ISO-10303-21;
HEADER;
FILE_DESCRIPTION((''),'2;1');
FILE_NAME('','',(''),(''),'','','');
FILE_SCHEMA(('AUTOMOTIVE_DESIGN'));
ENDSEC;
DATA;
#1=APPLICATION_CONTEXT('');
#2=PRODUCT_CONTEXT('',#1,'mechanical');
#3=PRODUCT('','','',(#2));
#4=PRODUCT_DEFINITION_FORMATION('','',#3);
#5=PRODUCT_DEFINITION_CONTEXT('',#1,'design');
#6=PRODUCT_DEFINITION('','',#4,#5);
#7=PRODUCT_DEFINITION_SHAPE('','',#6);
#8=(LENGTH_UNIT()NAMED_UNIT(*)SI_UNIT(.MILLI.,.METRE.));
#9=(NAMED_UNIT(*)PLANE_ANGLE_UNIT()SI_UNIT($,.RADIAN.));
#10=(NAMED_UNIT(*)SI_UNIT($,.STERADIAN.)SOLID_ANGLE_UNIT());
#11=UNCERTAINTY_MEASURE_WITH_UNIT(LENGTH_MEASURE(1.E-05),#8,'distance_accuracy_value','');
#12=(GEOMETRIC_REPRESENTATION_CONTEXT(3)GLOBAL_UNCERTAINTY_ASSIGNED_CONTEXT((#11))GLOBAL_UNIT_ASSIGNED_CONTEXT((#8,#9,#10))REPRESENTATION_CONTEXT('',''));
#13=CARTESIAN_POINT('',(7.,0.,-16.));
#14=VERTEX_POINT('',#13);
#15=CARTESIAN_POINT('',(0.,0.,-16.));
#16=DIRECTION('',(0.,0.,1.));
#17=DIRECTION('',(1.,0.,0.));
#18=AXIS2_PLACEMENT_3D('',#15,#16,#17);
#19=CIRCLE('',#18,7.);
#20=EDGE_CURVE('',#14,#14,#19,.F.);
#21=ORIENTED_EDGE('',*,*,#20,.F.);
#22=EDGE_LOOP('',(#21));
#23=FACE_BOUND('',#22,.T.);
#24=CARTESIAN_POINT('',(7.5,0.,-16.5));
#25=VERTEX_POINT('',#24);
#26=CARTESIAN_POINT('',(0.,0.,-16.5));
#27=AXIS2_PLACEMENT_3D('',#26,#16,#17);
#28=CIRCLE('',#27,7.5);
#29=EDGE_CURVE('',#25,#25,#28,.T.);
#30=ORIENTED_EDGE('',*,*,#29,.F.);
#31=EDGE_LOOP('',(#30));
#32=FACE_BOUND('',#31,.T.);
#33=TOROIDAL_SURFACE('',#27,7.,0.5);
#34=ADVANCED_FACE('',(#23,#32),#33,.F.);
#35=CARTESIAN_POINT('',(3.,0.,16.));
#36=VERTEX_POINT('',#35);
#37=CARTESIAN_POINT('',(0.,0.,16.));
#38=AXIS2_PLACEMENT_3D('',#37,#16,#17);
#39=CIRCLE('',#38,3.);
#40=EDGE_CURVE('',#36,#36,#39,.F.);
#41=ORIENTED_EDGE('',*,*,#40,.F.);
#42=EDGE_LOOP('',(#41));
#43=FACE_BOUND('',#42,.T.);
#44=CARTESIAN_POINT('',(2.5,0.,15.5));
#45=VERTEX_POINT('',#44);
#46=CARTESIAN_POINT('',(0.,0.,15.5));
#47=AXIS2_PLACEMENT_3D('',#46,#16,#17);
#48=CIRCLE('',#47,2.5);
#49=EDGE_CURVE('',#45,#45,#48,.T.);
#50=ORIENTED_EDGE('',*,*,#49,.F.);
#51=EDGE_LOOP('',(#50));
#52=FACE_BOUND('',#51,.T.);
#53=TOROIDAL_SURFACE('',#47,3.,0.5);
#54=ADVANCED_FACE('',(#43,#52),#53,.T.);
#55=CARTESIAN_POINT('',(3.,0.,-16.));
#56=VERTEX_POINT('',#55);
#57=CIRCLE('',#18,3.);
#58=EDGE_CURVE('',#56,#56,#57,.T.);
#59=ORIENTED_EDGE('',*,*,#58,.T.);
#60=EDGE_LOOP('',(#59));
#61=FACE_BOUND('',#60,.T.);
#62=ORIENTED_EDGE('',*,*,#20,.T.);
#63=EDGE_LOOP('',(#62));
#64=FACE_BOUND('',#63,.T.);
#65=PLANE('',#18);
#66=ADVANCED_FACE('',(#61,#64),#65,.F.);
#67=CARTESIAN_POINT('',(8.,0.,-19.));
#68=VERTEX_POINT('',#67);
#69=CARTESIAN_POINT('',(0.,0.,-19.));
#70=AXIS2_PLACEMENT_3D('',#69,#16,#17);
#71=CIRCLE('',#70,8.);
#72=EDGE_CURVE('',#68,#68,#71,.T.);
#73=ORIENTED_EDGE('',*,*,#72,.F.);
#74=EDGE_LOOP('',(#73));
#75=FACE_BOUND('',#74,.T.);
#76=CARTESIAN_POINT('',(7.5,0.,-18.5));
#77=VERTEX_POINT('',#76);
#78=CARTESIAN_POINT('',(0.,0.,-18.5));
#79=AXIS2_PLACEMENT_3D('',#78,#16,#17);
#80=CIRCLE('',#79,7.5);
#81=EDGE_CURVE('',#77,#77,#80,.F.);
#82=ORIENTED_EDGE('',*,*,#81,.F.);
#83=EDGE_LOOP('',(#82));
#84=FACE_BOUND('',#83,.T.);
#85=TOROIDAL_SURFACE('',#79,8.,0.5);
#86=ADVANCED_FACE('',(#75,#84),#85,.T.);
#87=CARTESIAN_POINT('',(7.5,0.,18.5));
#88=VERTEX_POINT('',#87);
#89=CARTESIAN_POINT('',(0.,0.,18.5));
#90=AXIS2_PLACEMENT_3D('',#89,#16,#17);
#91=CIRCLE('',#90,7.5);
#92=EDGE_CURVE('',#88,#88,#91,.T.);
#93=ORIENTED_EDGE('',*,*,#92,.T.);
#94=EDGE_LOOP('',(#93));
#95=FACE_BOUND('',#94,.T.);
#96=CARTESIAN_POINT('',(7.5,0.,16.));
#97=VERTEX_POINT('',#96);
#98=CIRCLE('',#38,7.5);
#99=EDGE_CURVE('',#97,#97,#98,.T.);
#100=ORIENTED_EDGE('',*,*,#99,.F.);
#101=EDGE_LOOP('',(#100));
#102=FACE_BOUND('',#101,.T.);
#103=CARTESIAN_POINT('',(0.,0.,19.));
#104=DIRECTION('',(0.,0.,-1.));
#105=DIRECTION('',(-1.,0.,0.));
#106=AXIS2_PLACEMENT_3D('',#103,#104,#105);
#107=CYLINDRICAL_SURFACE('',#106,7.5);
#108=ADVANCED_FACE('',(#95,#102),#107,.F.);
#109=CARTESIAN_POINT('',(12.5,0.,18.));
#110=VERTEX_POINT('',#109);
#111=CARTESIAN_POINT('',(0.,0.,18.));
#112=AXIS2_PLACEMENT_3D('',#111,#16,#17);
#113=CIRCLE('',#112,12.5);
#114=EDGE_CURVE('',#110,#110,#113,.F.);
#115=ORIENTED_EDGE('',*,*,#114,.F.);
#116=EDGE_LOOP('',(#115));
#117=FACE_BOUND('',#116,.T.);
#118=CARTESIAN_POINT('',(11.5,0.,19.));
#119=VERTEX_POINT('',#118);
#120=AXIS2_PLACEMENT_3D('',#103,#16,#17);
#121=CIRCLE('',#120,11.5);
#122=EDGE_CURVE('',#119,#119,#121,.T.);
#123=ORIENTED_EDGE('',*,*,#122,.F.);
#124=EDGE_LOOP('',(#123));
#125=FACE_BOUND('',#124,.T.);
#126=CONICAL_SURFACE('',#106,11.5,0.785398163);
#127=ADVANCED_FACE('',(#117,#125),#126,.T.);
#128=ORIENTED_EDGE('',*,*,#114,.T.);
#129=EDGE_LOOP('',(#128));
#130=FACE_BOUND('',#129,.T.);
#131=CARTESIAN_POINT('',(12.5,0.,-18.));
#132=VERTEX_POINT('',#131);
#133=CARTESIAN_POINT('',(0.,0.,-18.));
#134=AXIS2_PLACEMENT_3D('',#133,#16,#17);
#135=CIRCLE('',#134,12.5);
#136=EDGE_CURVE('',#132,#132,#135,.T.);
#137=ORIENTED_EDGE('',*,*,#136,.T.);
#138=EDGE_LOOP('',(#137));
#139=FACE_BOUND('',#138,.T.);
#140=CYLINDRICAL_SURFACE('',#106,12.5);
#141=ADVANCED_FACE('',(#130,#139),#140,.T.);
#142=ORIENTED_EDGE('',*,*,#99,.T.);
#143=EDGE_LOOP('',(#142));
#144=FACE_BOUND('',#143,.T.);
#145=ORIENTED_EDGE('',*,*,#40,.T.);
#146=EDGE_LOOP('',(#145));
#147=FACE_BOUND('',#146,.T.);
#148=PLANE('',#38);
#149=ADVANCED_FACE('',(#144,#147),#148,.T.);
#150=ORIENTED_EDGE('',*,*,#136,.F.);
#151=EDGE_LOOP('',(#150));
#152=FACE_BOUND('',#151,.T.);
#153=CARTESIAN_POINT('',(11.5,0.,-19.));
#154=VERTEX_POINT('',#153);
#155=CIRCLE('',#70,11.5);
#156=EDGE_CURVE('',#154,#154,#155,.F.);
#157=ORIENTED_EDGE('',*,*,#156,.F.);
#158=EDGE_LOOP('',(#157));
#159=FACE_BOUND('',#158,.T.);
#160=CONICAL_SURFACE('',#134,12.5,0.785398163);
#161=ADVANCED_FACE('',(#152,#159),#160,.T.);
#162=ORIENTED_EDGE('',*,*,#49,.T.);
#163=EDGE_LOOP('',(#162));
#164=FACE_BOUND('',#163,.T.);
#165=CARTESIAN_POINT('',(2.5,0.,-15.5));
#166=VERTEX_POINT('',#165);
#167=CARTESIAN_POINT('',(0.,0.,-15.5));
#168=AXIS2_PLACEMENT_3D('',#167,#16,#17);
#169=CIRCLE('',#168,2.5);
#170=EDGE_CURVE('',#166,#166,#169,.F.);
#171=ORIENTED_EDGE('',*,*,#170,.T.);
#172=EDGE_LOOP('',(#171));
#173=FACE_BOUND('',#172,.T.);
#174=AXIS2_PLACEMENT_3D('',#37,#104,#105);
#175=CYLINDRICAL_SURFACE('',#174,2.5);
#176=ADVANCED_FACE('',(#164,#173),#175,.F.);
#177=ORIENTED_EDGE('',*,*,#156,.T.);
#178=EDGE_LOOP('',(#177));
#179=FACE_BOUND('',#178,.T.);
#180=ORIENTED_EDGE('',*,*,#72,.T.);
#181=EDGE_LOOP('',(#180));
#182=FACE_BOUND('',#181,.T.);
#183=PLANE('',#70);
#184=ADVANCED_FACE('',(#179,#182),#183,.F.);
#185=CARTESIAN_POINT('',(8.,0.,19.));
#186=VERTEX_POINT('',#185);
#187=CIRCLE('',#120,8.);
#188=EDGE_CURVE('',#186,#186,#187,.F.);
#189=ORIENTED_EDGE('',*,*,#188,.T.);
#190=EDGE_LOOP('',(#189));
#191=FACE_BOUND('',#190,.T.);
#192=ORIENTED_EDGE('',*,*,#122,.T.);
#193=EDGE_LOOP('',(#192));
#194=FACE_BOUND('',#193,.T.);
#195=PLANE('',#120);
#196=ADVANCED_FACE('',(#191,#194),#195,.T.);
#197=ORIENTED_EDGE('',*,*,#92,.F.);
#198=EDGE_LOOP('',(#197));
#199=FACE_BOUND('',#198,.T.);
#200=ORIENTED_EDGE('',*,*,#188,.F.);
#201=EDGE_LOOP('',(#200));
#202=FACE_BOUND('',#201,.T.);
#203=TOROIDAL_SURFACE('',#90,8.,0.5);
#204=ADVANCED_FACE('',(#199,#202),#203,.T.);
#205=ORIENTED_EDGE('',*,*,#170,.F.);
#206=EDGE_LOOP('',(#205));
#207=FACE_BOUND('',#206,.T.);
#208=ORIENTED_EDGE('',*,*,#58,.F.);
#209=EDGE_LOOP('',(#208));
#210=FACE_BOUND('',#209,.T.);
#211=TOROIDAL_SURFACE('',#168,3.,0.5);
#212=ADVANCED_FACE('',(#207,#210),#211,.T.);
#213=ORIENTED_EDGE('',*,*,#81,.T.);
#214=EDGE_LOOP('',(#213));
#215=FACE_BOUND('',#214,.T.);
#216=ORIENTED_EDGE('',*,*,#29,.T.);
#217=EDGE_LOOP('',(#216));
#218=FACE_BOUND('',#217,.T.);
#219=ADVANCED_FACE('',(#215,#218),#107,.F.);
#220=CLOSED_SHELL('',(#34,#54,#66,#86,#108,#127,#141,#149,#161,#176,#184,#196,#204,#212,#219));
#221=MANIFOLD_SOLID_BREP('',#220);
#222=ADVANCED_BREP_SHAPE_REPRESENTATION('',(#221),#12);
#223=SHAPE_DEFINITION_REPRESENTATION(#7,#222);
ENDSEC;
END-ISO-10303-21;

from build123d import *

# Parameters (mm, degrees)
SKETCH1_R           = 12.5
SKETCH1_R_2         = 7.5
BOSS_EXTRUDE2_DEPTH = 19
SKETCH1_4_R         = 7.5
SKETCH1_4_R_2       = 2.5
BOSS_EXTRUDE3_DEPTH = 16
CHAMFER1_SIZE       = 1
FILLET1_R           = 0.5
FILLET2_R           = 0.5


with BuildPart() as part:
    # Sketch1 → Boss-Extrude2 (new, symmetric)
    with BuildSketch(Plane.XY):
        Circle(SKETCH1_R)
        Circle(SKETCH1_R_2, mode=Mode.SUBTRACT)
    extrude(amount=BOSS_EXTRUDE2_DEPTH, both=True)

    # Sketch1<4> → Boss-Extrude3 (add, symmetric)
    with BuildSketch(Plane.XY):
        Circle(SKETCH1_4_R)
        Circle(SKETCH1_4_R_2, mode=Mode.SUBTRACT)
    extrude(amount=BOSS_EXTRUDE3_DEPTH, both=True)

    # Chamfer1
    chamfer1_edges = [part.edges().sort_by_distance(p)[0] for p in [
        (-12.5, 0, 19),
        (-12.5, 0, -19),
    ]]
    chamfer(chamfer1_edges, length=CHAMFER1_SIZE)

    # Fillet1
    fillet1_edges = [part.edges().sort_by_distance(p)[0] for p in [
        (-7.5, 0, -16),
        (-2.5, 0, -16),
        (-7.5, 0, -19),
        (-7.5, 0, 19),
    ]]
    fillet(fillet1_edges, radius=FILLET1_R)

    # Fillet2
    fillet2_edges = [part.edges().sort_by_distance(p)[0] for p in [
        (-2.5, 0, 16),
    ]]
    fillet(fillet2_edges, radius=FILLET2_R)


solid = part.part
